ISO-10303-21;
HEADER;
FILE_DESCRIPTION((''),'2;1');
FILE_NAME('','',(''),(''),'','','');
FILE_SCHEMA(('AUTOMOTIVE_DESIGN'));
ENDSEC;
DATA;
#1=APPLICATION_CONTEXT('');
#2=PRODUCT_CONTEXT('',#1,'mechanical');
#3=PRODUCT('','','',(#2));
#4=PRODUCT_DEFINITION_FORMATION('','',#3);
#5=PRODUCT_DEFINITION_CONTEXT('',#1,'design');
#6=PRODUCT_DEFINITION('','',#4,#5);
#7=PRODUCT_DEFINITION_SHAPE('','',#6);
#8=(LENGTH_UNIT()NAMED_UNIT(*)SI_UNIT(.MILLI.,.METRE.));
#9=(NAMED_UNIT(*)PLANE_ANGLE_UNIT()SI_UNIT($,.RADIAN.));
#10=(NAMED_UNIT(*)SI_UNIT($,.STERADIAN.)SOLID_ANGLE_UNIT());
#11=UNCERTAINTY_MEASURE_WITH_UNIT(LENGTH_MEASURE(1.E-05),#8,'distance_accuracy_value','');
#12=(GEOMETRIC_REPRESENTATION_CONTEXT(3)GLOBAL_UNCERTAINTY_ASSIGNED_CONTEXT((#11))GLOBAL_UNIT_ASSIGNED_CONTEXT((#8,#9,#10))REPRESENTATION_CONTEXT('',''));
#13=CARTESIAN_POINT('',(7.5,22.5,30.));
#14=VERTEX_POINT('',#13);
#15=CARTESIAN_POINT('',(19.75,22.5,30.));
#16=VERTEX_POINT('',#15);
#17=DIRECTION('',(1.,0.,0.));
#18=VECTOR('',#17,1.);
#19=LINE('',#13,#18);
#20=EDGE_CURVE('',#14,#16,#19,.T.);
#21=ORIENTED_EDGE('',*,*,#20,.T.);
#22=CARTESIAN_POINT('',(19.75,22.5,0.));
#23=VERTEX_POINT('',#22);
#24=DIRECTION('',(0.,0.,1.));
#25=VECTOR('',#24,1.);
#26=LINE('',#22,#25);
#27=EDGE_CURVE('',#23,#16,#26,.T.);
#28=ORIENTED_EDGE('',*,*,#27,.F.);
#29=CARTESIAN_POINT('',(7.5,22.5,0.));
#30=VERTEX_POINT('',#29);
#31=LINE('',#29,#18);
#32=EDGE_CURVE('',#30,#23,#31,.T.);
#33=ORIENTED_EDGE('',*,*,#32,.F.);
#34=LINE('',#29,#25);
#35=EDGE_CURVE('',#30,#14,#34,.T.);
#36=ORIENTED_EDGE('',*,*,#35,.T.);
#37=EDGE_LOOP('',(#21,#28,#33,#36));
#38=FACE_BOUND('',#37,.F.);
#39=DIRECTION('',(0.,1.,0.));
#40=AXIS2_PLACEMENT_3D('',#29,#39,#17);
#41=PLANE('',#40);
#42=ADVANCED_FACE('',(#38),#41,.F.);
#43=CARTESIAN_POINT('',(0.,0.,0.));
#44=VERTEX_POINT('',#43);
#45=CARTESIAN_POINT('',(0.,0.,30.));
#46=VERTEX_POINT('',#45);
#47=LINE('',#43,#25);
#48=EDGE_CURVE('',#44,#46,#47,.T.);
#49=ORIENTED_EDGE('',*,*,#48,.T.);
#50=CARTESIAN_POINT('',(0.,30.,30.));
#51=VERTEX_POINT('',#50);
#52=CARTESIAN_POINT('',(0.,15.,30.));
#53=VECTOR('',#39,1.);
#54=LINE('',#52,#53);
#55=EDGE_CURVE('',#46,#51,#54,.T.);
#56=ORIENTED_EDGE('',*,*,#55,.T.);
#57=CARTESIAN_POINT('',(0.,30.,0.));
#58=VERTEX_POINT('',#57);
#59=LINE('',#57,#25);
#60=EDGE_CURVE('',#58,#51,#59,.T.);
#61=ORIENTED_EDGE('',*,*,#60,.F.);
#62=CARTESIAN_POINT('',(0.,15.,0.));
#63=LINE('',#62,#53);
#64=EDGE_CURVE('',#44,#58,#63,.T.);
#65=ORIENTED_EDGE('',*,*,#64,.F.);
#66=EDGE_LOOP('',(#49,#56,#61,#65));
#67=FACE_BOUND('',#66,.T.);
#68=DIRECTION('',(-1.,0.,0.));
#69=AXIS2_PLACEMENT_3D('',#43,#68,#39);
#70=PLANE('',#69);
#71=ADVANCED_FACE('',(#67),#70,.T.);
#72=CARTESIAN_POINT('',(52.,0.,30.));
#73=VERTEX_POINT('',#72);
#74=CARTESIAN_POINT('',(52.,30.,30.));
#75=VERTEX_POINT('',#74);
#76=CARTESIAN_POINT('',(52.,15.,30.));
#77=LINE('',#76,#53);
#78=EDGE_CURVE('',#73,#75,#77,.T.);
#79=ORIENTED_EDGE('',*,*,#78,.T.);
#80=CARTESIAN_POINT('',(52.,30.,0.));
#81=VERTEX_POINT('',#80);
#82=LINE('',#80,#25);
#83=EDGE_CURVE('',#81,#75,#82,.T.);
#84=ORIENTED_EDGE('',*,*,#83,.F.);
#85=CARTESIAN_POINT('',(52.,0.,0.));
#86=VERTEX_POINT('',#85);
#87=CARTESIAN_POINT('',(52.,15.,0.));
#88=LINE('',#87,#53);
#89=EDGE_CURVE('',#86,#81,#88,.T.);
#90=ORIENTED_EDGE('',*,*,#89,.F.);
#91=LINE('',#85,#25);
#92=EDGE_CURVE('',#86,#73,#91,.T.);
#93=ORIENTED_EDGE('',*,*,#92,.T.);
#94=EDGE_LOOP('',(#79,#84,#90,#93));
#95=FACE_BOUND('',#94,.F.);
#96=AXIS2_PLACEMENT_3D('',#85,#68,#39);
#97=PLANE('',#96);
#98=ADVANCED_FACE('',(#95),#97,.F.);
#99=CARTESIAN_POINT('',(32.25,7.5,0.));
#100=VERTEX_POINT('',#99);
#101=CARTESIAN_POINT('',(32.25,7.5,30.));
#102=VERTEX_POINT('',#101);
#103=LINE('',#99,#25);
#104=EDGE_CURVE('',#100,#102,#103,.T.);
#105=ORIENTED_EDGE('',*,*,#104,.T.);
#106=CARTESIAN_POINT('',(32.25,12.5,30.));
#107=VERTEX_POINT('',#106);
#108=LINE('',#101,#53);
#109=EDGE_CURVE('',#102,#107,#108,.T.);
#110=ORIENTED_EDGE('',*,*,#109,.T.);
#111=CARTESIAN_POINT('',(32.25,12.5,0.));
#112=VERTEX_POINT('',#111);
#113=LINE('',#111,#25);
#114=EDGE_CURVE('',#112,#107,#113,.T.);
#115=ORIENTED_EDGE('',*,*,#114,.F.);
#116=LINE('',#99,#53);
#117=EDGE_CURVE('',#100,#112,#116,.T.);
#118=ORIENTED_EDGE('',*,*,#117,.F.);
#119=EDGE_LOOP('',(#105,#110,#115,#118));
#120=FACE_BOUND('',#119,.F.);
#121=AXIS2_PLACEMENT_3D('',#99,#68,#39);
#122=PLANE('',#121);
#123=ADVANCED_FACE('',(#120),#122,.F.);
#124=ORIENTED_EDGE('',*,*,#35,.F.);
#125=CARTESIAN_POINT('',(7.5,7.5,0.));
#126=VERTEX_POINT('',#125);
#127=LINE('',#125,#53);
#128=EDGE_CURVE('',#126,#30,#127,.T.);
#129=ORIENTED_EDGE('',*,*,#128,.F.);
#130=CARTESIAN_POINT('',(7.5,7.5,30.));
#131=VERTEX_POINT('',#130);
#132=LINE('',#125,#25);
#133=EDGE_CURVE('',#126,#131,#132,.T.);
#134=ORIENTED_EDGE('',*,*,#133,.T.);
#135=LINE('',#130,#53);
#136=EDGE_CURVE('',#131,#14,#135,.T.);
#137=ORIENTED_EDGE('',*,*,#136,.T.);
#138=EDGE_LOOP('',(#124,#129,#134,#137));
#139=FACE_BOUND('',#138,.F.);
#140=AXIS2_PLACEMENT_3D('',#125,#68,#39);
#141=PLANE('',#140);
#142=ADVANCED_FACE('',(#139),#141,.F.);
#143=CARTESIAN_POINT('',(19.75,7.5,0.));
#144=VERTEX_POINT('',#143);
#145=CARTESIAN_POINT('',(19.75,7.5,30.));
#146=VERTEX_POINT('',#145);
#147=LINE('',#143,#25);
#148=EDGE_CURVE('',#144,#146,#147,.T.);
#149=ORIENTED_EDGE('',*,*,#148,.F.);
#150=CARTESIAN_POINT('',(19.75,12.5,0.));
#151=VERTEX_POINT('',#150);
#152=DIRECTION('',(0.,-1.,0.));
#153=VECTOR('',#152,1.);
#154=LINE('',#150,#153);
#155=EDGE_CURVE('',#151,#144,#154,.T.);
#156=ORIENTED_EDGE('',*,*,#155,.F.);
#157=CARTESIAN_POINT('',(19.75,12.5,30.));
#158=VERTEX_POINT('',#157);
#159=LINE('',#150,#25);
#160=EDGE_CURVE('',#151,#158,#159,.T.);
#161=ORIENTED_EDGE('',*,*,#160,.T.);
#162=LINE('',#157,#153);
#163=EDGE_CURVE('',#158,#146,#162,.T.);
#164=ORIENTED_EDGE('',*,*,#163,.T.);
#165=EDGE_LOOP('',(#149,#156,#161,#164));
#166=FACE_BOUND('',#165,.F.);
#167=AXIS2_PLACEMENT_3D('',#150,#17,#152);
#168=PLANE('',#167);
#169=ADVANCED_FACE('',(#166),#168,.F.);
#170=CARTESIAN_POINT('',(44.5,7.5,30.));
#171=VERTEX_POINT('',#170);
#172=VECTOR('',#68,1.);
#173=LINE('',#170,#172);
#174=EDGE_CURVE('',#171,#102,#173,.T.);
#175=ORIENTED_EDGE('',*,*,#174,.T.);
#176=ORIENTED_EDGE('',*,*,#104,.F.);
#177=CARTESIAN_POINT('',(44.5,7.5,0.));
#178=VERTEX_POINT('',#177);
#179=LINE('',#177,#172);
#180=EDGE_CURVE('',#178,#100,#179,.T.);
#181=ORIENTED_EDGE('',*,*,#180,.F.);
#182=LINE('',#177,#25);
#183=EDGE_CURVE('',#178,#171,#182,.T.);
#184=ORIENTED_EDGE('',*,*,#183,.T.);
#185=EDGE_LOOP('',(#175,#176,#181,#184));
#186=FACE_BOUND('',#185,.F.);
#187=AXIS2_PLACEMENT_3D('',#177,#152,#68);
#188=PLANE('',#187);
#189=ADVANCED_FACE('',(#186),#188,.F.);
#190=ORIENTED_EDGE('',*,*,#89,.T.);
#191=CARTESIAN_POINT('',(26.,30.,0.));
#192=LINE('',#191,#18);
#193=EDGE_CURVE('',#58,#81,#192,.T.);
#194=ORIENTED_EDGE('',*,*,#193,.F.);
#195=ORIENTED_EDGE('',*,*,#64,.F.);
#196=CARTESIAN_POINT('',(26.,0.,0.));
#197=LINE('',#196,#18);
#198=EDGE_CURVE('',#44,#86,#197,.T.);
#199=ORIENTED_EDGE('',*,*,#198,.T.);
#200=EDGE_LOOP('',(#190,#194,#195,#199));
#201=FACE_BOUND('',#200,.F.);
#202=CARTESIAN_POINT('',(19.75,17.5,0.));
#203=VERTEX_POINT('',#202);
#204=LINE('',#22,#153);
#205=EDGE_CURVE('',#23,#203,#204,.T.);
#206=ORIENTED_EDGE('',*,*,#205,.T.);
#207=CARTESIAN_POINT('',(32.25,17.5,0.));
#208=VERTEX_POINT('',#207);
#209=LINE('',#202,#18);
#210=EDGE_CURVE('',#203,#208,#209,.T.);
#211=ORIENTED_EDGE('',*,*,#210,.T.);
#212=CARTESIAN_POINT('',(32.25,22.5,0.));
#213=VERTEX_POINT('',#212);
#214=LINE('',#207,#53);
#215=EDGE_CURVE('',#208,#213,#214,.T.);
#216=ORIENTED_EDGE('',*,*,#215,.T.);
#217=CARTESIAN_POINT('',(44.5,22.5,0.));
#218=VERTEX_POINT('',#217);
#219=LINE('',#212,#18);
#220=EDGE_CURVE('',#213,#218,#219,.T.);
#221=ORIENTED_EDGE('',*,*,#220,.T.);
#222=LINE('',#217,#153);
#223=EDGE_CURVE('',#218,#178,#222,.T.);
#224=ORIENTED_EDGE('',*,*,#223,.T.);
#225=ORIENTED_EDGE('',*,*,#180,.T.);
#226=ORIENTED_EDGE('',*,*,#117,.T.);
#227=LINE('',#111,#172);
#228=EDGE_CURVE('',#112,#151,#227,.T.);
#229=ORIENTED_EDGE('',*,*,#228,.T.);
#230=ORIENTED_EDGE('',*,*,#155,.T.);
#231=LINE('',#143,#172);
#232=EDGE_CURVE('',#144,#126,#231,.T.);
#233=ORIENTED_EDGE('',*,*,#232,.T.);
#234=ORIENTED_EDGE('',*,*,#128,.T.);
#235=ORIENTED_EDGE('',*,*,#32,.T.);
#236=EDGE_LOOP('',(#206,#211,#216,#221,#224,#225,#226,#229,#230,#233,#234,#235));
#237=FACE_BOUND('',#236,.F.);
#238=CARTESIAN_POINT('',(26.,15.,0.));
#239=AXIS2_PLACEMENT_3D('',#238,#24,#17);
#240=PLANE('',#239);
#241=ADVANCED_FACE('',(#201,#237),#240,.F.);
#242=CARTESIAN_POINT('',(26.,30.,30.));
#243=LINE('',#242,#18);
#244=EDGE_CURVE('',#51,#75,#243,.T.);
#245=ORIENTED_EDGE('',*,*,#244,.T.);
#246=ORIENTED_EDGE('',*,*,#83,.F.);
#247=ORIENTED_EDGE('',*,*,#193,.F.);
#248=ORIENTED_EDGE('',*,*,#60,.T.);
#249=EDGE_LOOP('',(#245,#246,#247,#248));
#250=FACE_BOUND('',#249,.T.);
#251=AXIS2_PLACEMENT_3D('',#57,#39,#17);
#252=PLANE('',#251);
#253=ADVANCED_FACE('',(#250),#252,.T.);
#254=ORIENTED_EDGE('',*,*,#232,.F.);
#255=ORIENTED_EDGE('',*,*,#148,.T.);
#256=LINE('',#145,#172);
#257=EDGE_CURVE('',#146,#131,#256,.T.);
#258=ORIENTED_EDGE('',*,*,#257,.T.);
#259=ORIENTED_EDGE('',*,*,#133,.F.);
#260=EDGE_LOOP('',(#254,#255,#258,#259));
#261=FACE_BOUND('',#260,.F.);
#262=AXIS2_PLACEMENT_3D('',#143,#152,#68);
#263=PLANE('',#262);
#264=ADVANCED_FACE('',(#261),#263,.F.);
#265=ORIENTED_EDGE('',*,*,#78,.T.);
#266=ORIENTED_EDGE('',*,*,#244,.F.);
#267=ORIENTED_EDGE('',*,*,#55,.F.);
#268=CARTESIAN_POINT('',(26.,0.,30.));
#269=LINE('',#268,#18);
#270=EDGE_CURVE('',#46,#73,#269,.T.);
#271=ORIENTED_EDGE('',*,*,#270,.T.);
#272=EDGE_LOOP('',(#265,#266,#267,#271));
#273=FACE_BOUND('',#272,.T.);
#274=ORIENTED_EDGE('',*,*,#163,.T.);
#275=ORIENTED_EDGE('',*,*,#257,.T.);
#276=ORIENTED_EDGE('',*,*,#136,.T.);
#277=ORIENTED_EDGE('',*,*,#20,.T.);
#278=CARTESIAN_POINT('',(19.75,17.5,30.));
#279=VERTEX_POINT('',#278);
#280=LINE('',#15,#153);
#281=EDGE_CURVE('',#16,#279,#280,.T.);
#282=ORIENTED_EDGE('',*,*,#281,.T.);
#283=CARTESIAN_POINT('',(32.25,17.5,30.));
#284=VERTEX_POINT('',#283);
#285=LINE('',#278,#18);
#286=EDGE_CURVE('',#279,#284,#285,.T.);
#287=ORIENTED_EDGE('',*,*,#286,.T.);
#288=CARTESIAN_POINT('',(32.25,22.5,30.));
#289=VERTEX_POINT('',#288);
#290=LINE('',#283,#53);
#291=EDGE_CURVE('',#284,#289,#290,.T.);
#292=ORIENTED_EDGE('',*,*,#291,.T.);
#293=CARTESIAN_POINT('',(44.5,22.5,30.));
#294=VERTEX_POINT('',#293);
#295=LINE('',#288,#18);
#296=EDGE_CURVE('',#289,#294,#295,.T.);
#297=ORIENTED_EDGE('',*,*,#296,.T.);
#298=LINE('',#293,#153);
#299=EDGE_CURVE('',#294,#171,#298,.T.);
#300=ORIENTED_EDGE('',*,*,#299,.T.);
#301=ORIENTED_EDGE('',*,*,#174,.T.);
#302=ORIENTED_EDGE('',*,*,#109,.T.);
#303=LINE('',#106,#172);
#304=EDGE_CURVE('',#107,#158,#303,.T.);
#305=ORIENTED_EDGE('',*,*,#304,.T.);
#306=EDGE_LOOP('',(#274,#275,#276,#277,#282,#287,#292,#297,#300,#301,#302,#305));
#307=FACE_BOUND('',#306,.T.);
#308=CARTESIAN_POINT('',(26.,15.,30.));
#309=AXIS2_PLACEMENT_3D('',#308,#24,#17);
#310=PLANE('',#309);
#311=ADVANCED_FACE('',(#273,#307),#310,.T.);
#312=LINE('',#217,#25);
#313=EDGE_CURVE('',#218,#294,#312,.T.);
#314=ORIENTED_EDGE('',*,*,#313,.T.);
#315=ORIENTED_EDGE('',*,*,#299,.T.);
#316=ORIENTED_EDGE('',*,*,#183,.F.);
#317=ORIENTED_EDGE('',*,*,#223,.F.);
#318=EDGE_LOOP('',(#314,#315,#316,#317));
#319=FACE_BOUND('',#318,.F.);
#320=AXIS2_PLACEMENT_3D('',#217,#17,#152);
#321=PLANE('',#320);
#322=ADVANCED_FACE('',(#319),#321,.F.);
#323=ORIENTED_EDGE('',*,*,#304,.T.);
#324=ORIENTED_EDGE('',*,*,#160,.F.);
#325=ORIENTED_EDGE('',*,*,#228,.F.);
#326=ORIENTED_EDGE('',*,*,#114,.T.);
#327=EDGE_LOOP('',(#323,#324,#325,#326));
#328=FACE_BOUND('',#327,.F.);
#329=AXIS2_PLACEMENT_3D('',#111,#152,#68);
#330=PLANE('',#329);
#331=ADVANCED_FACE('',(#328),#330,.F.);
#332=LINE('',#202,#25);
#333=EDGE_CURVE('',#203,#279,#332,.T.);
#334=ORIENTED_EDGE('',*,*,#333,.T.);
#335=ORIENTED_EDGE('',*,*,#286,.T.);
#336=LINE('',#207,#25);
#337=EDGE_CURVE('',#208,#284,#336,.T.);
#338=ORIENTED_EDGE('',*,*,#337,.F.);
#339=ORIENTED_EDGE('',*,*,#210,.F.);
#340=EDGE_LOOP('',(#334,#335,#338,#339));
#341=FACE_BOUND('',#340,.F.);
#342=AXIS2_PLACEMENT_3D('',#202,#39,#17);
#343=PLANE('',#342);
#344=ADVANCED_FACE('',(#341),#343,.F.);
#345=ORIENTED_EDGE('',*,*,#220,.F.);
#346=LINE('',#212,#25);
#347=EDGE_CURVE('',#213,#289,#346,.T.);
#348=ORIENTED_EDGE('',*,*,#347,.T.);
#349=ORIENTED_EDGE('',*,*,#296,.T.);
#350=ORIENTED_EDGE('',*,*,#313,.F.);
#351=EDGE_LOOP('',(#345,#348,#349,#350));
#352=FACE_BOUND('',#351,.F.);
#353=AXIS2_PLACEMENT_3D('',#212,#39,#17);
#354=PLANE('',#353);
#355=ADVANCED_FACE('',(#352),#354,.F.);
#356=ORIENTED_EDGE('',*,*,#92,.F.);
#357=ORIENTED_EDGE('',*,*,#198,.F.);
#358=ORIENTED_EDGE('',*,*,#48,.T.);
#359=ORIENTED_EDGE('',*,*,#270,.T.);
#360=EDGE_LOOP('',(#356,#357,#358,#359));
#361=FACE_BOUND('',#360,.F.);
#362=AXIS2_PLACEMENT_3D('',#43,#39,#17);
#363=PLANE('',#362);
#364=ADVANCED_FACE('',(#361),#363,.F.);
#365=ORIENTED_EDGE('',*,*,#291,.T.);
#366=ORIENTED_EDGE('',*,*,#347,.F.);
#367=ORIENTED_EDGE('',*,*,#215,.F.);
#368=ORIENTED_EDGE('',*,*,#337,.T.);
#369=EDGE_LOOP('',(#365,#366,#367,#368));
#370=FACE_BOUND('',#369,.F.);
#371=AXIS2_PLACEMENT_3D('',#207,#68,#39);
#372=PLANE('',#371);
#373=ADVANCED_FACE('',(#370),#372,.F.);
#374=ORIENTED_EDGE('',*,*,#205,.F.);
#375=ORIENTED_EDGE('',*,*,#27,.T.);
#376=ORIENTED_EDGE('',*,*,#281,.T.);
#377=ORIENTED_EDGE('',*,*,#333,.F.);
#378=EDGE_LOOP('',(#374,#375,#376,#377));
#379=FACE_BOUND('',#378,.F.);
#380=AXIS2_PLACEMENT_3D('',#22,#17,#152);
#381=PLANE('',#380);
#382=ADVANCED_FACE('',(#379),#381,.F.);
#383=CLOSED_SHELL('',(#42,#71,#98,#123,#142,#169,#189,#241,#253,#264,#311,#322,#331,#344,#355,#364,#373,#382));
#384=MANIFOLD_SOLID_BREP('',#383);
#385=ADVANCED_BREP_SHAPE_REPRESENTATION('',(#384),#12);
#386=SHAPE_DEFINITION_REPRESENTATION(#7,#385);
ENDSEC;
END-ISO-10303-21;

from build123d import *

# Parameters (mm, degrees)
F0_W     = 52
F0_H     = 30
F1_DEPTH = 30


with BuildPart() as f1:
    # F0 (on Top) → F1 (new body)
    with BuildSketch(Plane.XY):
        with Locations((26, 15)):
            Rectangle(F0_W, F0_H)
        Polygon((7.5, 7.5), (7.5, 22.5), (19.75, 22.5), (19.75, 17.5), (32.25, 17.5), (32.25, 22.5), (44.5, 22.5), (44.5, 7.5), (32.25, 7.5), (32.25, 12.5), (19.75, 12.5), (19.75, 7.5), align=None, mode=Mode.SUBTRACT)
    extrude(amount=F1_DEPTH)


solid = f1.part
